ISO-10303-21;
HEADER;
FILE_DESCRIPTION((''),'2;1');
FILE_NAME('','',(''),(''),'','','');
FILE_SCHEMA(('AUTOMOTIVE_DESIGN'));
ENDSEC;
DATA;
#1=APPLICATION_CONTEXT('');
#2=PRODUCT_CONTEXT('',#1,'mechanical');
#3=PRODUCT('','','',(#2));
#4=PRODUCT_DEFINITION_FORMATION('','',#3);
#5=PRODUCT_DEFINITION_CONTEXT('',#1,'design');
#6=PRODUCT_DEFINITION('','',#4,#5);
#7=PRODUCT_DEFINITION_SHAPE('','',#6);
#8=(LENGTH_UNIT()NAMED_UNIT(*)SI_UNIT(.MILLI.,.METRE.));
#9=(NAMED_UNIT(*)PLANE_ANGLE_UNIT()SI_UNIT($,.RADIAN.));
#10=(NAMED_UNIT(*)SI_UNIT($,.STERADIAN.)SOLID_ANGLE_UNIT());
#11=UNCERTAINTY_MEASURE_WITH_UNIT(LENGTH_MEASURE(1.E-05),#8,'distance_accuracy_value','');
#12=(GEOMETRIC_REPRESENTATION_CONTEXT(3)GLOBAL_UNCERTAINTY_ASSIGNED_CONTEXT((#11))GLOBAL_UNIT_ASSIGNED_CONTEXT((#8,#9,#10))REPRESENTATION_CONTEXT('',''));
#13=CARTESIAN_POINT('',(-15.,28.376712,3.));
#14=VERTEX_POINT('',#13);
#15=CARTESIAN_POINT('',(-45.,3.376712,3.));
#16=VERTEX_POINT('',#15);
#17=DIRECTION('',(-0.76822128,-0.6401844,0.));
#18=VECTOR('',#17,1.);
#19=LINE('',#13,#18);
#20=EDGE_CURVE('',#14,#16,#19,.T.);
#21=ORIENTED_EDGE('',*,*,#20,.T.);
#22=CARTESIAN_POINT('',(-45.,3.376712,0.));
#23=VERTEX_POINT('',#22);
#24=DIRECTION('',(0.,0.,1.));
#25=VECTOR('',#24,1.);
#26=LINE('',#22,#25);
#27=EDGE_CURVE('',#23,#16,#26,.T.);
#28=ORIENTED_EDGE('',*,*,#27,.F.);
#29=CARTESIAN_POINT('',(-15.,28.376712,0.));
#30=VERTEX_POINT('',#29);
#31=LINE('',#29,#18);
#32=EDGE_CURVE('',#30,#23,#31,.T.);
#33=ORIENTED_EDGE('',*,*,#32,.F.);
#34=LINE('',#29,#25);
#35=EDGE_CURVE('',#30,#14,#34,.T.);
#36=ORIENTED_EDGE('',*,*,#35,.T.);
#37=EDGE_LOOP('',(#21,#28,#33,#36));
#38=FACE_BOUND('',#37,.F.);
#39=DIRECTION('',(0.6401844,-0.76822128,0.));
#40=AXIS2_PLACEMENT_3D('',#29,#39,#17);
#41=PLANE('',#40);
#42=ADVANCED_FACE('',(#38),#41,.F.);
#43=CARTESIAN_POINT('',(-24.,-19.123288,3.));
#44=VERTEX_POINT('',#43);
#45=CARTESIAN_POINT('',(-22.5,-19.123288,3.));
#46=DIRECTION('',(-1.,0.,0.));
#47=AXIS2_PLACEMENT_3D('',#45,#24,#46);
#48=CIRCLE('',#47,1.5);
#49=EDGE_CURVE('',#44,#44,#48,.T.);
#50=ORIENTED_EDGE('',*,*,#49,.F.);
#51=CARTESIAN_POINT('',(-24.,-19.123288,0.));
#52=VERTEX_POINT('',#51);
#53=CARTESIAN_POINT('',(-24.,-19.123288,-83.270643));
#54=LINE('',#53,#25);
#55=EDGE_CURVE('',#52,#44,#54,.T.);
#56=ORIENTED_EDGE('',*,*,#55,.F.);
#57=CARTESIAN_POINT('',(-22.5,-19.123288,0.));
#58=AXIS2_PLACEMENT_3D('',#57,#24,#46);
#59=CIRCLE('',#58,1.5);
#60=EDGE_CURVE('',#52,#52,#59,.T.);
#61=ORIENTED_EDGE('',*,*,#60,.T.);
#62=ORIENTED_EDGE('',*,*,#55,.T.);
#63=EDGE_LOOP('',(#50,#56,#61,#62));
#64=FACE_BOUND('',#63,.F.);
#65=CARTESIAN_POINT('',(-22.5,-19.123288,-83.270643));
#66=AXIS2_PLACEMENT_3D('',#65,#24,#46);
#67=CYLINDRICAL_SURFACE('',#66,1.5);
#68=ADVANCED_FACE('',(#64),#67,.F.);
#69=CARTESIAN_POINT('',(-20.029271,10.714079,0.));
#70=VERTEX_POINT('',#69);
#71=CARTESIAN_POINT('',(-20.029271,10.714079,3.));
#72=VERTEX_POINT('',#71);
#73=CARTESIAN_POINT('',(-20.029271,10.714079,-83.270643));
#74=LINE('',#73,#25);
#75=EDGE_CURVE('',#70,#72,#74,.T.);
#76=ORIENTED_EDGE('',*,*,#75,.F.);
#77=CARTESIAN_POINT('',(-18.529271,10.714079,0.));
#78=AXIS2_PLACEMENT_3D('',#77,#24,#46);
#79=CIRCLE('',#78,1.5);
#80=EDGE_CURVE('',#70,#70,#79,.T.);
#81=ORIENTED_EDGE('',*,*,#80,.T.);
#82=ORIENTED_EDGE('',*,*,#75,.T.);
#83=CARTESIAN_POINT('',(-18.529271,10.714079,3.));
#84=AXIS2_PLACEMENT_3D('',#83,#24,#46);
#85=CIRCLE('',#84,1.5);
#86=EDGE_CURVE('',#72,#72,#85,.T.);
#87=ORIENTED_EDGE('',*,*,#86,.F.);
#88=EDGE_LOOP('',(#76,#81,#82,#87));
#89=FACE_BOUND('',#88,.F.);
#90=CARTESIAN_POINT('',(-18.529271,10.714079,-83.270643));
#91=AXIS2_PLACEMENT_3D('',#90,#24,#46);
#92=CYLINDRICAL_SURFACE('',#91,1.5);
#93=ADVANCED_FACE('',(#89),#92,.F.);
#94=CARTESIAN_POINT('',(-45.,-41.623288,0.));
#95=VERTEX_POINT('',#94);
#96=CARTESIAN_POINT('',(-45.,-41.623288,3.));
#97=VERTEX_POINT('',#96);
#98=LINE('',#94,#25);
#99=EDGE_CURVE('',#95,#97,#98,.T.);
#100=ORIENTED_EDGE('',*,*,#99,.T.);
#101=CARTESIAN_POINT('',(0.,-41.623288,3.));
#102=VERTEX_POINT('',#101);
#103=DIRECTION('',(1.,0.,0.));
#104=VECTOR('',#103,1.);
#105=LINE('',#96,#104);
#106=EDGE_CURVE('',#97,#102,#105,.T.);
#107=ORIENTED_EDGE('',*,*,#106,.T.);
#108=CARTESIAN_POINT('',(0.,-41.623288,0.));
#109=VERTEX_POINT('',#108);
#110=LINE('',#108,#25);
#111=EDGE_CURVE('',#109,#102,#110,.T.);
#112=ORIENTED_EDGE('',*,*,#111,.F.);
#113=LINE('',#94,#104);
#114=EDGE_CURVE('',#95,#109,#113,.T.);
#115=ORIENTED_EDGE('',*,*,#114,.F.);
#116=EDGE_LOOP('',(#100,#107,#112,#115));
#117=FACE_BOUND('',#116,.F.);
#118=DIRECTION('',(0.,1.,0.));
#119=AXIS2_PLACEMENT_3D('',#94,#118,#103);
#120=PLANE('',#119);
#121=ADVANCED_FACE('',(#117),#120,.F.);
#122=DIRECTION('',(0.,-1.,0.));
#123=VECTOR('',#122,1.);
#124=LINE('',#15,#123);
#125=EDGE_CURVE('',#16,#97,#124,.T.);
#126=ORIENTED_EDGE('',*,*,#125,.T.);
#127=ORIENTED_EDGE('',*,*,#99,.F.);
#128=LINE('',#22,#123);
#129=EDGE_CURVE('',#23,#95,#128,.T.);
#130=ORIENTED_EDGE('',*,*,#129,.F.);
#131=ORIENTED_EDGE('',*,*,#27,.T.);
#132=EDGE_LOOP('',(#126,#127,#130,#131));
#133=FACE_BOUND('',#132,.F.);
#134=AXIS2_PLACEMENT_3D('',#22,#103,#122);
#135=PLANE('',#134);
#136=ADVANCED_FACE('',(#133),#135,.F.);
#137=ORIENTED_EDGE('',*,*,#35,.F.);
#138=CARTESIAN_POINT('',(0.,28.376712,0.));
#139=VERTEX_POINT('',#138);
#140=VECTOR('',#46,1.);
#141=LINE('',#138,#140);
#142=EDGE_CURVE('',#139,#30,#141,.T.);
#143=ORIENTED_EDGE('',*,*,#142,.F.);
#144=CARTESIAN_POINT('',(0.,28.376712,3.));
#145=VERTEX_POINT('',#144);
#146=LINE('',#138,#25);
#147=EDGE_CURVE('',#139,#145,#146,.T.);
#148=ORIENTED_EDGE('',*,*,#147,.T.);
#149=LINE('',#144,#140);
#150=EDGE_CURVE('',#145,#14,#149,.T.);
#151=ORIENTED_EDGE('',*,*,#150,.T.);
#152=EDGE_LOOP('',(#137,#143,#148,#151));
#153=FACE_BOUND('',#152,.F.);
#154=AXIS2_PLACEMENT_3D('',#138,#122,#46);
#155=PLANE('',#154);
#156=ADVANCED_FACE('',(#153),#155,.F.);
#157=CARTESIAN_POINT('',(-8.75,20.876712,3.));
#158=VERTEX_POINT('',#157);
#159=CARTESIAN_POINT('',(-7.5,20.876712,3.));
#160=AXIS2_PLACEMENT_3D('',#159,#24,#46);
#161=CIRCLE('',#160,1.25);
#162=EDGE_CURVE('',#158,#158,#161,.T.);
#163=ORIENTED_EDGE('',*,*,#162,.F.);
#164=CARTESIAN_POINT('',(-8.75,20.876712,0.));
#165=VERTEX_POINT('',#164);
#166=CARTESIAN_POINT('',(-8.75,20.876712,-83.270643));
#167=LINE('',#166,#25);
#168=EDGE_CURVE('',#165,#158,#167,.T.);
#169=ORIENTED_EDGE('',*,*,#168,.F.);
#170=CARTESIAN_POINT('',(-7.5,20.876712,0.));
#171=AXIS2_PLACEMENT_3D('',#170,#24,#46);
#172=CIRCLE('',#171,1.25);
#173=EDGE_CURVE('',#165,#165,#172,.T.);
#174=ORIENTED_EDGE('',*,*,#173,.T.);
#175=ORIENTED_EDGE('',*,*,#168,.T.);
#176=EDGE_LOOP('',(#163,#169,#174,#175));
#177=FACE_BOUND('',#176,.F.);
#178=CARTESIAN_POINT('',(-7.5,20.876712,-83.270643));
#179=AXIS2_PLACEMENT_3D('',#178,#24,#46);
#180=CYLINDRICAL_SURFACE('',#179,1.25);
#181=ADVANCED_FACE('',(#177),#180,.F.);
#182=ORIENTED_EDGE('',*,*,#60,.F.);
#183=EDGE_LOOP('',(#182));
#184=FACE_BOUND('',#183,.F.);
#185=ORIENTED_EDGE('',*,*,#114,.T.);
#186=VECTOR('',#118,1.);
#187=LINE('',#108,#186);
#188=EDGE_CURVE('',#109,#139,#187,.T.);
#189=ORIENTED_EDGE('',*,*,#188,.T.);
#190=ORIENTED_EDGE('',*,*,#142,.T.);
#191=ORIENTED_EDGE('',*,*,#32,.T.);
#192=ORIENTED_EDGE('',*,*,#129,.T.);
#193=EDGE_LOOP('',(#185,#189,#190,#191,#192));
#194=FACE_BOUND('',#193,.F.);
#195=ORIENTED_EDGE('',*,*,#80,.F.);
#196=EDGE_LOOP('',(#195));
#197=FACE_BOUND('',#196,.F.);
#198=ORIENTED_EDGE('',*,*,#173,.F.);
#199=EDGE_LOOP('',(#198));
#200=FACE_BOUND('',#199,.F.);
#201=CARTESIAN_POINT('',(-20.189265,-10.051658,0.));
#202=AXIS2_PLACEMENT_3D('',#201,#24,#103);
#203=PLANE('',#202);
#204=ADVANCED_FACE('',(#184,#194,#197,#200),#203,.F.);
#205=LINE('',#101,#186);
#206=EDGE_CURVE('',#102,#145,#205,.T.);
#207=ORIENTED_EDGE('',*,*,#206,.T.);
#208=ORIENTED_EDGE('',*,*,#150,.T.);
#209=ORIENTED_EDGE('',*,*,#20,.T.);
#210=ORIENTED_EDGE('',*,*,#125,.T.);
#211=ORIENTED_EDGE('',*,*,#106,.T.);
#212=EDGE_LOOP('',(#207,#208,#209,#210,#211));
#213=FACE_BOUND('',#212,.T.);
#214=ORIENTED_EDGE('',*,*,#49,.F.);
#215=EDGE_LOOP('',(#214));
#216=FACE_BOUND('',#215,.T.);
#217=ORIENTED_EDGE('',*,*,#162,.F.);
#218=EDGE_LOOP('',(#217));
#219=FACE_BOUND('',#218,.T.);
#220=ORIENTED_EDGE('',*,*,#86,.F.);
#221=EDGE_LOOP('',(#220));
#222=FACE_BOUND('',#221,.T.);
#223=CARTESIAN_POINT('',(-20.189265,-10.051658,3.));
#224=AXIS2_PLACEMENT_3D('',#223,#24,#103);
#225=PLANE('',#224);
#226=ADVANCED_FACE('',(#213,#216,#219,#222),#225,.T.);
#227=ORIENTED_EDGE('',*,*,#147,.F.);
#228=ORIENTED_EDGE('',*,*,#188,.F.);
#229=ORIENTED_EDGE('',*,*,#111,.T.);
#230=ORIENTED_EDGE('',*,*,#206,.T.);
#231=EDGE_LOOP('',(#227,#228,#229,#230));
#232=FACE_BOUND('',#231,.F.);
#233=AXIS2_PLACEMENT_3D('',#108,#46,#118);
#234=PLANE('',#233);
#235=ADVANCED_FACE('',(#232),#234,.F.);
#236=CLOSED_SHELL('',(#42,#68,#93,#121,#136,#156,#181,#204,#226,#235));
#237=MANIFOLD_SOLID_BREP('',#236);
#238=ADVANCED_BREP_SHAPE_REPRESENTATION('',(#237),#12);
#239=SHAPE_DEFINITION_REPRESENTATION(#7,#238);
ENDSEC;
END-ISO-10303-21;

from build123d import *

# Parameters (mm, degrees)
F1_DEPTH = 3
F2_D     = 3
F3_D     = 3
F4_D     = 2.5


with BuildPart() as f1:
    # F0 (on Top) → F1 (new body)
    with BuildSketch(Plane.XY):
        Polygon((-45, -41.623287946), (0, -41.623287946), (0, 28.376712054), (-15, 28.376712054), (-45, 3.376712054), align=None)
    extrude(amount=F1_DEPTH)

    # F2 (through all)
    with Locations(Plane(origin=(0, 0, 0), x_dir=(1, 0, 0), z_dir=(0, 0, -1))):
        with Locations((-22.5, 19.123287946)):
            Hole(F2_D / 2)

    # F3 (through all)
    with Locations(Plane(origin=(0, 0, 0), x_dir=(1, 0, 0), z_dir=(0, 0, -1))):
        with Locations((-18.5292713703, -10.7140789706)):
            Hole(F3_D / 2)

    # F4 (through all)
    with Locations(Plane(origin=(0, 0, 0), x_dir=(1, 0, 0), z_dir=(0, 0, -1))):
        with Locations((-7.5, -20.876712054)):
            Hole(F4_D / 2)


solid = f1.part
